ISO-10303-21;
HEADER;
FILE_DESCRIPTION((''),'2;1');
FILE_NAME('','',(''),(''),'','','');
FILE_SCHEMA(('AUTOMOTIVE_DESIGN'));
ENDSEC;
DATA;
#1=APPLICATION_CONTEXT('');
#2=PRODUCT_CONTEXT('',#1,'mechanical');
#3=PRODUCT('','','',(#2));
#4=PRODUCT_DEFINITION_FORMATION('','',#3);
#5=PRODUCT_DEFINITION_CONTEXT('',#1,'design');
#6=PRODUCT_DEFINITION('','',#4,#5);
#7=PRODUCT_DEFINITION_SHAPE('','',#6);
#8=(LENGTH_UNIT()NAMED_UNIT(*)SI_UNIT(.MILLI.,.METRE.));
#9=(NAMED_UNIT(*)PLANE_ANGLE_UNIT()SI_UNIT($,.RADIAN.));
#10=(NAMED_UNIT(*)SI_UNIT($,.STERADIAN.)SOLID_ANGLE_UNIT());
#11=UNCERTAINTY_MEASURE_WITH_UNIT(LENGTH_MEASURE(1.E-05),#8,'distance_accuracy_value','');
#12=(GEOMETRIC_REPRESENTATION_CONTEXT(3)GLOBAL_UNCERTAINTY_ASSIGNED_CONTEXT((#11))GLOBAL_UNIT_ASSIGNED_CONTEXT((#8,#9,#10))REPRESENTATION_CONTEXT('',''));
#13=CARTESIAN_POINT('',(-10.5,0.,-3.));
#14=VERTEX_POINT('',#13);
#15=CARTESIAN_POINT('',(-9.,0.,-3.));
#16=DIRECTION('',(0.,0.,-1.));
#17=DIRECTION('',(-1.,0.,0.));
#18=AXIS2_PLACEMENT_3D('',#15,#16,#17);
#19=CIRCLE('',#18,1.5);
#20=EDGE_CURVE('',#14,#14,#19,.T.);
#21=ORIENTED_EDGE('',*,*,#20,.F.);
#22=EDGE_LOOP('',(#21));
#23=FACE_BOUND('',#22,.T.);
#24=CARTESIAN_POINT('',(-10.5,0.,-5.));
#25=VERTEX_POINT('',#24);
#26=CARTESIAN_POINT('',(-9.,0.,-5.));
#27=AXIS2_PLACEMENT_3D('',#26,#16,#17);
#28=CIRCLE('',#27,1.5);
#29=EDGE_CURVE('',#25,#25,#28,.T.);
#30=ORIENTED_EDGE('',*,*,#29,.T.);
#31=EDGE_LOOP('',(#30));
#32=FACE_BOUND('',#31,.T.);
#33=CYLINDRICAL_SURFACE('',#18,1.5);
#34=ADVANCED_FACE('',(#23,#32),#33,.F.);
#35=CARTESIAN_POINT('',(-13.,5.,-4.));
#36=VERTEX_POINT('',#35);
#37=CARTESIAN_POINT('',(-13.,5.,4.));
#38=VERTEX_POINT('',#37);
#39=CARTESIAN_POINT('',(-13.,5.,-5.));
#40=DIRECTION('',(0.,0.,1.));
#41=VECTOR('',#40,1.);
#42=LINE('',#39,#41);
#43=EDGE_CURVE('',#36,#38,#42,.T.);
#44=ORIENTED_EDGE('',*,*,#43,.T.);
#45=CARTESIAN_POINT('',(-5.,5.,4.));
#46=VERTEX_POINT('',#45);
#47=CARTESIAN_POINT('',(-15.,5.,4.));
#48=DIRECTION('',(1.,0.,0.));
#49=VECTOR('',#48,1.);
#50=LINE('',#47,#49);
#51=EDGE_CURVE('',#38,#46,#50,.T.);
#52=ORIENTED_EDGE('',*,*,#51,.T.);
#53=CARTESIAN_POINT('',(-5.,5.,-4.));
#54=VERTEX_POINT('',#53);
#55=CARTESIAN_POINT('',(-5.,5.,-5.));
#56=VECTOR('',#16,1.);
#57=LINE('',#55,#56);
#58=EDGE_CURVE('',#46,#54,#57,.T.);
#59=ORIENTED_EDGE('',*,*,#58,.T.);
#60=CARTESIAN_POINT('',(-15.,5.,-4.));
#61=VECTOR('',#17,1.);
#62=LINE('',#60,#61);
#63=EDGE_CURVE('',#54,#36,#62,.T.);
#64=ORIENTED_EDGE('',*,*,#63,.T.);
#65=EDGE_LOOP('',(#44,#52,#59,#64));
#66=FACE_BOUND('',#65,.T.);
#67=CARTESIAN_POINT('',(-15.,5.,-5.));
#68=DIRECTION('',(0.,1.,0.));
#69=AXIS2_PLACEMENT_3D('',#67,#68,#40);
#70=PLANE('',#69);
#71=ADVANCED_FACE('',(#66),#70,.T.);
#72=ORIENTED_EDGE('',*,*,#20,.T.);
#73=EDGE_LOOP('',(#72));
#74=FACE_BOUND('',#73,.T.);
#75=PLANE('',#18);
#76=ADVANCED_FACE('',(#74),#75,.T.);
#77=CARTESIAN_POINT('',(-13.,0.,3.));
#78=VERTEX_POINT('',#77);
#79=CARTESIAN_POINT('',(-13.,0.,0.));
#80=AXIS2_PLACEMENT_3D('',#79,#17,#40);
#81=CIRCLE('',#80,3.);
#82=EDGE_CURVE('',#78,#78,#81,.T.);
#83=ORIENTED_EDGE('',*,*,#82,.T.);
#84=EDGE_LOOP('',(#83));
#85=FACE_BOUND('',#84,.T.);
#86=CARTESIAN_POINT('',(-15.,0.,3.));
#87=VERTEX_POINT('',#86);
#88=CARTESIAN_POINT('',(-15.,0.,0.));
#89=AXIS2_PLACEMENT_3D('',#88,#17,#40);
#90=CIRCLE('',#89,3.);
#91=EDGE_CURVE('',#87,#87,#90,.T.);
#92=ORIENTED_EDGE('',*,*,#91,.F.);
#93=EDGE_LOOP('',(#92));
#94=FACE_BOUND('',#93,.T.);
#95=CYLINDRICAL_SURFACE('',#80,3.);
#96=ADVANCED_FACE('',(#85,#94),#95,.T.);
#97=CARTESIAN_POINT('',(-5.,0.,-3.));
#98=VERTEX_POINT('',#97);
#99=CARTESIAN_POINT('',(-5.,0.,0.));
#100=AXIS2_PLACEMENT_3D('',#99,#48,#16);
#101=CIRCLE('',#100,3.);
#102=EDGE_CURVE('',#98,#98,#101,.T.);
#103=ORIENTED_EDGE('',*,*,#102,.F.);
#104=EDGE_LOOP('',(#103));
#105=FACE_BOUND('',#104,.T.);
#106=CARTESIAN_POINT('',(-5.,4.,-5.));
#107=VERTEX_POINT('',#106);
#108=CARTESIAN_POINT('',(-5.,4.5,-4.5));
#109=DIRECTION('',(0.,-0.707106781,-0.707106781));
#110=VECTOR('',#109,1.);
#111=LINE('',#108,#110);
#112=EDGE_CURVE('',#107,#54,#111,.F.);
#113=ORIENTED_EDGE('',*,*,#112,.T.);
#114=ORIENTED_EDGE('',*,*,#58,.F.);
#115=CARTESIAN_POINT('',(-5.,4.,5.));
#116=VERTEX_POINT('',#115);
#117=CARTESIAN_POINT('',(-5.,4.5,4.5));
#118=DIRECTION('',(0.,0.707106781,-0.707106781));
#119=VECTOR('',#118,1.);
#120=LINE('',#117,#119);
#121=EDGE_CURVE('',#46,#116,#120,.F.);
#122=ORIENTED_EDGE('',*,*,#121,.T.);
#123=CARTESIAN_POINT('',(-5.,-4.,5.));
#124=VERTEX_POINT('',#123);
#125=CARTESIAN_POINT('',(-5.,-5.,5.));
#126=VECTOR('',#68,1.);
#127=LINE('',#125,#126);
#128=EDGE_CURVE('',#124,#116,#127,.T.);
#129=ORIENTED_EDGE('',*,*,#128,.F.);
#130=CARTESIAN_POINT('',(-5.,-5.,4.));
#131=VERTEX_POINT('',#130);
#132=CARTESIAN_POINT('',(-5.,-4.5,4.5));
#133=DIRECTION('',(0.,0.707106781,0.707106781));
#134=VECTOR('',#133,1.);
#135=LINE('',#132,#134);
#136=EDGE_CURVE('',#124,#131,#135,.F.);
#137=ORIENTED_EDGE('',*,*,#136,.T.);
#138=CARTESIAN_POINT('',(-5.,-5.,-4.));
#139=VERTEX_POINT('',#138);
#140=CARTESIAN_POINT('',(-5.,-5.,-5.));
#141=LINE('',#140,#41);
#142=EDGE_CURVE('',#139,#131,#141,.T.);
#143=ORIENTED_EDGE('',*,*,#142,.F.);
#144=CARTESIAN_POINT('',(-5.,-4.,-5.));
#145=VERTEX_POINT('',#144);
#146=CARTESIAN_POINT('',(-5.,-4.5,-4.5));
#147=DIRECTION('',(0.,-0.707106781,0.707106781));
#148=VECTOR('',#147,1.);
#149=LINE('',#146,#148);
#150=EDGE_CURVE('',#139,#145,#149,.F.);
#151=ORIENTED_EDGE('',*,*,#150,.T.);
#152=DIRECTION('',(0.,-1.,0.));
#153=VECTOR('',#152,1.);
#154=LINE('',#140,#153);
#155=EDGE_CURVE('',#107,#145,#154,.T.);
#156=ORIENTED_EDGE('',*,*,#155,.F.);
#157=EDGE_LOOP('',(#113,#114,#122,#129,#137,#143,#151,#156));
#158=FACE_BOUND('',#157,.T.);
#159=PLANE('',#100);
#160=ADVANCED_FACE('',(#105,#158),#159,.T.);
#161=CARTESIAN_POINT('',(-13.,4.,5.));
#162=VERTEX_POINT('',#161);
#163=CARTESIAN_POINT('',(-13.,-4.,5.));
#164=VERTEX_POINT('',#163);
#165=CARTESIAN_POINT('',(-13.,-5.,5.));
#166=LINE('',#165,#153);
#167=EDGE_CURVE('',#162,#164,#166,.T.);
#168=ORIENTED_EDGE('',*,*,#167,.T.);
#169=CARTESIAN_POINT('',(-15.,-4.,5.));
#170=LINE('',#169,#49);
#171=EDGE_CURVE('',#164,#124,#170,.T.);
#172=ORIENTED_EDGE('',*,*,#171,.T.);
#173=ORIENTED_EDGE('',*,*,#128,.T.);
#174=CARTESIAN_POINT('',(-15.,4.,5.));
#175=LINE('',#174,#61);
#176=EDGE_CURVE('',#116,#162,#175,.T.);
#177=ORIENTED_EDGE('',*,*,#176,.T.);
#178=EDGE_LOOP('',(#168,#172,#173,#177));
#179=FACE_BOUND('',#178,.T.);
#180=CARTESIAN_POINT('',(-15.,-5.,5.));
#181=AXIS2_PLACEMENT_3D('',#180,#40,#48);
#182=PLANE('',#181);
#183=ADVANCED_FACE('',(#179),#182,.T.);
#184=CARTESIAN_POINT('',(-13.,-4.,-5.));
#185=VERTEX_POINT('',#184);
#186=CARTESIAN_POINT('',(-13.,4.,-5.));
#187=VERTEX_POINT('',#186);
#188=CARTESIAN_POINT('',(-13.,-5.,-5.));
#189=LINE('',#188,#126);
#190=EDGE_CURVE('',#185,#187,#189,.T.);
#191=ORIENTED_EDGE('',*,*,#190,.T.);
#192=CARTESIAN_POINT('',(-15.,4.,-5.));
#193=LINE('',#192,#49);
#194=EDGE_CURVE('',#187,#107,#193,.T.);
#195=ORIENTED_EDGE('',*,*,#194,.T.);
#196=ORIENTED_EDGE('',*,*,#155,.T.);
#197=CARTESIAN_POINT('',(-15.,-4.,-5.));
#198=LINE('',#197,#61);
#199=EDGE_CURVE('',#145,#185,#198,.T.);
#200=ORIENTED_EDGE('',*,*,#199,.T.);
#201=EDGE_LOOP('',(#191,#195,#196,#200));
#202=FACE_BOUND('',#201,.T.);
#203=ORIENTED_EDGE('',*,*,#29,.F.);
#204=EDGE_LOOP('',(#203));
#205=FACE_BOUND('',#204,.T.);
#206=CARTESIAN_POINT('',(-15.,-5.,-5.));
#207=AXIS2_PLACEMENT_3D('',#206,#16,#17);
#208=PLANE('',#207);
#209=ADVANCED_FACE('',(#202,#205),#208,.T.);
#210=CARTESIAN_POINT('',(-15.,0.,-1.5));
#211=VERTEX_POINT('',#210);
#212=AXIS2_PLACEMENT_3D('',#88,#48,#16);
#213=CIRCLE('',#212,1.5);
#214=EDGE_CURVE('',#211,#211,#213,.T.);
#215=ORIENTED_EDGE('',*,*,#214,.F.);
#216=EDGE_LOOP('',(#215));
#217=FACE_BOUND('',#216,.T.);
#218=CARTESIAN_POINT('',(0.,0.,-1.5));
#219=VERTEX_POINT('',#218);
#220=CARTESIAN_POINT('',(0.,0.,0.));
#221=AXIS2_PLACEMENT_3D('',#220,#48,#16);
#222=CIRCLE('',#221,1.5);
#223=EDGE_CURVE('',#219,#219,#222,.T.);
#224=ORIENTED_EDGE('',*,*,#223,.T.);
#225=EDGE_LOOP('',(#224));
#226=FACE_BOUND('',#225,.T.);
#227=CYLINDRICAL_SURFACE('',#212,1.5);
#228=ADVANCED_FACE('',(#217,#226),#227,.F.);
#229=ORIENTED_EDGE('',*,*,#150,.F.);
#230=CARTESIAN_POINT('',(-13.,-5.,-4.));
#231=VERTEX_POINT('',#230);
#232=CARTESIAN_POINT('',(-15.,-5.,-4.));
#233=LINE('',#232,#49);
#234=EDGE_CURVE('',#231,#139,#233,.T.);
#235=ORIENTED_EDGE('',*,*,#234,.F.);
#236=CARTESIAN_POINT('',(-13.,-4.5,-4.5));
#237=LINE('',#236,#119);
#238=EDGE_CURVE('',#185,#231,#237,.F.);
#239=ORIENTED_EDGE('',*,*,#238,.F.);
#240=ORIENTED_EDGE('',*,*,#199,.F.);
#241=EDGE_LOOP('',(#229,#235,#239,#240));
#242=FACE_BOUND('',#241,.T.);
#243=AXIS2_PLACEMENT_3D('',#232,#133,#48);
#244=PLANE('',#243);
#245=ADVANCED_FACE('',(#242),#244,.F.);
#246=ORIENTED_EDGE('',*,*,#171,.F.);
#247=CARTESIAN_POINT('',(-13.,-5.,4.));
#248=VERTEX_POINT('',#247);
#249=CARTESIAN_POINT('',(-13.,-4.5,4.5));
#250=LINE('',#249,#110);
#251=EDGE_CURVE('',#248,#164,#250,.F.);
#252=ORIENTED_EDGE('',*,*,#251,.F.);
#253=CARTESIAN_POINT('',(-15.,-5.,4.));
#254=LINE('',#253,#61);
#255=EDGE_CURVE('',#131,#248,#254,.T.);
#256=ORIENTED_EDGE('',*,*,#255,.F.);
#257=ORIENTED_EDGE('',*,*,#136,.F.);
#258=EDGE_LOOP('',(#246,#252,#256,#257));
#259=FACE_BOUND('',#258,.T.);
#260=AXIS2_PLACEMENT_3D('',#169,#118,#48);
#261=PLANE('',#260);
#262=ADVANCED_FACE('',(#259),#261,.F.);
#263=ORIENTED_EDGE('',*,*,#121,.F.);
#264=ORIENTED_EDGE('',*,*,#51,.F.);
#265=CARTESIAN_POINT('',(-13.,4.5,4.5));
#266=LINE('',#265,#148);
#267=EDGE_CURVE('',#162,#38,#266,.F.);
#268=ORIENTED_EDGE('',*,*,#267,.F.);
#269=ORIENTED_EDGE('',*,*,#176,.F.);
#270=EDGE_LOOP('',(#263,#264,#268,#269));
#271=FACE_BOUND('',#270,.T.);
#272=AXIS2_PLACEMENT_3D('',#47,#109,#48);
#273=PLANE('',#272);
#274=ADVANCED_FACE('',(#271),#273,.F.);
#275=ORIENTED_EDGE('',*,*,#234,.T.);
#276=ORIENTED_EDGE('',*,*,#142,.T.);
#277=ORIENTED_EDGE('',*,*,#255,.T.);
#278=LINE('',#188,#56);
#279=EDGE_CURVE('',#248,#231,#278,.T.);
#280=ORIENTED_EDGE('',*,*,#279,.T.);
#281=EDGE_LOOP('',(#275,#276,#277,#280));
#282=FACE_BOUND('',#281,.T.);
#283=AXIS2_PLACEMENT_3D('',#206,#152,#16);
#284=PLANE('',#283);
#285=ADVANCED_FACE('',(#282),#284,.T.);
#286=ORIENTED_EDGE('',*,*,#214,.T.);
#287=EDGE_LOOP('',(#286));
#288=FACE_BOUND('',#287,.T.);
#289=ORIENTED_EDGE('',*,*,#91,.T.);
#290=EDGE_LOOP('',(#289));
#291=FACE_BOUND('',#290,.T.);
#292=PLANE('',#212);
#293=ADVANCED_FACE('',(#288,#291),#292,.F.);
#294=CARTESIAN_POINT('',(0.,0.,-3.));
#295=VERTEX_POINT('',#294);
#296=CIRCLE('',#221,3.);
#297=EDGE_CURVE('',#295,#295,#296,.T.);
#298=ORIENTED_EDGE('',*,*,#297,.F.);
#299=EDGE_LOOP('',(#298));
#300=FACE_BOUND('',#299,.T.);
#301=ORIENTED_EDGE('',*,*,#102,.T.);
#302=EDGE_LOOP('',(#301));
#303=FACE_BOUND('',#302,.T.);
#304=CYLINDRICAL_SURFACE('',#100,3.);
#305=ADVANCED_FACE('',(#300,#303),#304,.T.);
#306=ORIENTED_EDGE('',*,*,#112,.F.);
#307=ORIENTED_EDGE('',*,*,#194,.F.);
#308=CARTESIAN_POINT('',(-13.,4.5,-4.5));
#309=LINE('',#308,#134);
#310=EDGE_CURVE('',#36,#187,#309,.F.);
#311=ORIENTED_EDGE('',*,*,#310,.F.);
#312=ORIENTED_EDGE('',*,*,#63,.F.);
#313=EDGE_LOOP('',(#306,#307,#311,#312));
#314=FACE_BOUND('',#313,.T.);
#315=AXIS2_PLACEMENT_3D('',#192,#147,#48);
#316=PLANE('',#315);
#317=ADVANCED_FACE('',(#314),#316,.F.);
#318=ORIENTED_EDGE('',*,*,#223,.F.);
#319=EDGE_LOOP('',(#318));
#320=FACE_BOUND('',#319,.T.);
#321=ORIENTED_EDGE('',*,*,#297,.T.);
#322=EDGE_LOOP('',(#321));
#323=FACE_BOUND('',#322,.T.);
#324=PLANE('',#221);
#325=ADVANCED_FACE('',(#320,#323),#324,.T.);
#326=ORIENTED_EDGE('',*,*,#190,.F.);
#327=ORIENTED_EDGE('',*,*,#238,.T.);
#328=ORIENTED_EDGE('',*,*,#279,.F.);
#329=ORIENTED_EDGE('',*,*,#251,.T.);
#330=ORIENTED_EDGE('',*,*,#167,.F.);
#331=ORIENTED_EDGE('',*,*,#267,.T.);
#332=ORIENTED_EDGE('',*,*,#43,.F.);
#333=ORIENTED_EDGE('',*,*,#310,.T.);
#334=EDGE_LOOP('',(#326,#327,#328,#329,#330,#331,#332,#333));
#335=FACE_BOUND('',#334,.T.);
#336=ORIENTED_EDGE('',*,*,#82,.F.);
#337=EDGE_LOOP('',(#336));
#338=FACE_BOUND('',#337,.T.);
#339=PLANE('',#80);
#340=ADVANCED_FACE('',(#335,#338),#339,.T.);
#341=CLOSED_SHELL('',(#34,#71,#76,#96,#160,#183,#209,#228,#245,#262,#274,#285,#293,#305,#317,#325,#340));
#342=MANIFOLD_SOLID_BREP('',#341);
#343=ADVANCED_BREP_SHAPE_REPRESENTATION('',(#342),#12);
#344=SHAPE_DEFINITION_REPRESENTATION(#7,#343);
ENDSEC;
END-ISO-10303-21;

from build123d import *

# Parameters (mm, degrees)
SKETCH1_W           = 10
SKETCH1_H           = 10
BOSS_EXTRUDE1_DEPTH = 15
SKETCH2_R           = 15.353568197
SKETCH2_R_2         = 3
CUT_EXTRUDE1_DEPTH  = 5
CUT_EXTRUDE2_START  = -2
SKETCH3_R           = 15.635411304
SKETCH3_R_2         = 3
CUT_EXTRUDE2_DEPTH  = 2
SKETCH4_R           = 1.5
CUT_EXTRUDE3_DEPTH  = 17.583123952
CHAMFER1_SIZE       = 1
CUT_EXTRUDE4_START  = 5
SKETCH5_R           = 1.5
CUT_EXTRUDE4_DEPTH  = 2


with BuildPart() as part:
    # Sketch1 → Boss-Extrude1 (new body)
    with BuildSketch(Plane(origin=(0, 0, 0), x_dir=(0, 0, -1), z_dir=(1, 0, 0))):
        Rectangle(SKETCH1_W, SKETCH1_H)
    extrude(amount=-BOSS_EXTRUDE1_DEPTH)

    # Sketch2 → Cut-Extrude1 (cut)
    with BuildSketch(Plane(origin=(0, 0, 0), x_dir=(0, 0, -1), z_dir=(1, 0, 0))):
        Circle(SKETCH2_R)
        Circle(SKETCH2_R_2, mode=Mode.SUBTRACT)
    extrude(amount=-CUT_EXTRUDE1_DEPTH, mode=Mode.SUBTRACT)

    # Sketch3 → Cut-Extrude2 (cut)
    with BuildSketch(Plane.ZY.offset(15).offset(CUT_EXTRUDE2_START)):
        Circle(SKETCH3_R)
        with Locations(Location((0, 0, 0), (0, 0, 180))):
            Circle(SKETCH3_R_2, mode=Mode.SUBTRACT)
    extrude(amount=CUT_EXTRUDE2_DEPTH, mode=Mode.SUBTRACT)

    # Sketch4 → Cut-Extrude3 (cut, through all)
    with BuildSketch(Plane(origin=(0, 0, 0), x_dir=(0, 0, -1), z_dir=(1, 0, 0))):
        Circle(SKETCH4_R)
    extrude(amount=-CUT_EXTRUDE3_DEPTH, mode=Mode.SUBTRACT)

    # Chamfer1
    chamfer1_edges = [part.edges().sort_by_distance(p)[0] for p in [
        (-9, -5, -5),
        (-9, -5, 5),
        (-9, 5, -5),
        (-9, 5, 5),
    ]]
    chamfer(chamfer1_edges, length=CHAMFER1_SIZE)

    # Sketch5 → Cut-Extrude4 (cut)
    with BuildSketch(Plane(origin=(0, 0, 0), x_dir=(-1, 0, 0), z_dir=(0, 0, -1)).offset(CUT_EXTRUDE4_START)):
        with Locations((9, 0)):
            Circle(SKETCH5_R)
    extrude(amount=-CUT_EXTRUDE4_DEPTH, mode=Mode.SUBTRACT)


solid = part.part
